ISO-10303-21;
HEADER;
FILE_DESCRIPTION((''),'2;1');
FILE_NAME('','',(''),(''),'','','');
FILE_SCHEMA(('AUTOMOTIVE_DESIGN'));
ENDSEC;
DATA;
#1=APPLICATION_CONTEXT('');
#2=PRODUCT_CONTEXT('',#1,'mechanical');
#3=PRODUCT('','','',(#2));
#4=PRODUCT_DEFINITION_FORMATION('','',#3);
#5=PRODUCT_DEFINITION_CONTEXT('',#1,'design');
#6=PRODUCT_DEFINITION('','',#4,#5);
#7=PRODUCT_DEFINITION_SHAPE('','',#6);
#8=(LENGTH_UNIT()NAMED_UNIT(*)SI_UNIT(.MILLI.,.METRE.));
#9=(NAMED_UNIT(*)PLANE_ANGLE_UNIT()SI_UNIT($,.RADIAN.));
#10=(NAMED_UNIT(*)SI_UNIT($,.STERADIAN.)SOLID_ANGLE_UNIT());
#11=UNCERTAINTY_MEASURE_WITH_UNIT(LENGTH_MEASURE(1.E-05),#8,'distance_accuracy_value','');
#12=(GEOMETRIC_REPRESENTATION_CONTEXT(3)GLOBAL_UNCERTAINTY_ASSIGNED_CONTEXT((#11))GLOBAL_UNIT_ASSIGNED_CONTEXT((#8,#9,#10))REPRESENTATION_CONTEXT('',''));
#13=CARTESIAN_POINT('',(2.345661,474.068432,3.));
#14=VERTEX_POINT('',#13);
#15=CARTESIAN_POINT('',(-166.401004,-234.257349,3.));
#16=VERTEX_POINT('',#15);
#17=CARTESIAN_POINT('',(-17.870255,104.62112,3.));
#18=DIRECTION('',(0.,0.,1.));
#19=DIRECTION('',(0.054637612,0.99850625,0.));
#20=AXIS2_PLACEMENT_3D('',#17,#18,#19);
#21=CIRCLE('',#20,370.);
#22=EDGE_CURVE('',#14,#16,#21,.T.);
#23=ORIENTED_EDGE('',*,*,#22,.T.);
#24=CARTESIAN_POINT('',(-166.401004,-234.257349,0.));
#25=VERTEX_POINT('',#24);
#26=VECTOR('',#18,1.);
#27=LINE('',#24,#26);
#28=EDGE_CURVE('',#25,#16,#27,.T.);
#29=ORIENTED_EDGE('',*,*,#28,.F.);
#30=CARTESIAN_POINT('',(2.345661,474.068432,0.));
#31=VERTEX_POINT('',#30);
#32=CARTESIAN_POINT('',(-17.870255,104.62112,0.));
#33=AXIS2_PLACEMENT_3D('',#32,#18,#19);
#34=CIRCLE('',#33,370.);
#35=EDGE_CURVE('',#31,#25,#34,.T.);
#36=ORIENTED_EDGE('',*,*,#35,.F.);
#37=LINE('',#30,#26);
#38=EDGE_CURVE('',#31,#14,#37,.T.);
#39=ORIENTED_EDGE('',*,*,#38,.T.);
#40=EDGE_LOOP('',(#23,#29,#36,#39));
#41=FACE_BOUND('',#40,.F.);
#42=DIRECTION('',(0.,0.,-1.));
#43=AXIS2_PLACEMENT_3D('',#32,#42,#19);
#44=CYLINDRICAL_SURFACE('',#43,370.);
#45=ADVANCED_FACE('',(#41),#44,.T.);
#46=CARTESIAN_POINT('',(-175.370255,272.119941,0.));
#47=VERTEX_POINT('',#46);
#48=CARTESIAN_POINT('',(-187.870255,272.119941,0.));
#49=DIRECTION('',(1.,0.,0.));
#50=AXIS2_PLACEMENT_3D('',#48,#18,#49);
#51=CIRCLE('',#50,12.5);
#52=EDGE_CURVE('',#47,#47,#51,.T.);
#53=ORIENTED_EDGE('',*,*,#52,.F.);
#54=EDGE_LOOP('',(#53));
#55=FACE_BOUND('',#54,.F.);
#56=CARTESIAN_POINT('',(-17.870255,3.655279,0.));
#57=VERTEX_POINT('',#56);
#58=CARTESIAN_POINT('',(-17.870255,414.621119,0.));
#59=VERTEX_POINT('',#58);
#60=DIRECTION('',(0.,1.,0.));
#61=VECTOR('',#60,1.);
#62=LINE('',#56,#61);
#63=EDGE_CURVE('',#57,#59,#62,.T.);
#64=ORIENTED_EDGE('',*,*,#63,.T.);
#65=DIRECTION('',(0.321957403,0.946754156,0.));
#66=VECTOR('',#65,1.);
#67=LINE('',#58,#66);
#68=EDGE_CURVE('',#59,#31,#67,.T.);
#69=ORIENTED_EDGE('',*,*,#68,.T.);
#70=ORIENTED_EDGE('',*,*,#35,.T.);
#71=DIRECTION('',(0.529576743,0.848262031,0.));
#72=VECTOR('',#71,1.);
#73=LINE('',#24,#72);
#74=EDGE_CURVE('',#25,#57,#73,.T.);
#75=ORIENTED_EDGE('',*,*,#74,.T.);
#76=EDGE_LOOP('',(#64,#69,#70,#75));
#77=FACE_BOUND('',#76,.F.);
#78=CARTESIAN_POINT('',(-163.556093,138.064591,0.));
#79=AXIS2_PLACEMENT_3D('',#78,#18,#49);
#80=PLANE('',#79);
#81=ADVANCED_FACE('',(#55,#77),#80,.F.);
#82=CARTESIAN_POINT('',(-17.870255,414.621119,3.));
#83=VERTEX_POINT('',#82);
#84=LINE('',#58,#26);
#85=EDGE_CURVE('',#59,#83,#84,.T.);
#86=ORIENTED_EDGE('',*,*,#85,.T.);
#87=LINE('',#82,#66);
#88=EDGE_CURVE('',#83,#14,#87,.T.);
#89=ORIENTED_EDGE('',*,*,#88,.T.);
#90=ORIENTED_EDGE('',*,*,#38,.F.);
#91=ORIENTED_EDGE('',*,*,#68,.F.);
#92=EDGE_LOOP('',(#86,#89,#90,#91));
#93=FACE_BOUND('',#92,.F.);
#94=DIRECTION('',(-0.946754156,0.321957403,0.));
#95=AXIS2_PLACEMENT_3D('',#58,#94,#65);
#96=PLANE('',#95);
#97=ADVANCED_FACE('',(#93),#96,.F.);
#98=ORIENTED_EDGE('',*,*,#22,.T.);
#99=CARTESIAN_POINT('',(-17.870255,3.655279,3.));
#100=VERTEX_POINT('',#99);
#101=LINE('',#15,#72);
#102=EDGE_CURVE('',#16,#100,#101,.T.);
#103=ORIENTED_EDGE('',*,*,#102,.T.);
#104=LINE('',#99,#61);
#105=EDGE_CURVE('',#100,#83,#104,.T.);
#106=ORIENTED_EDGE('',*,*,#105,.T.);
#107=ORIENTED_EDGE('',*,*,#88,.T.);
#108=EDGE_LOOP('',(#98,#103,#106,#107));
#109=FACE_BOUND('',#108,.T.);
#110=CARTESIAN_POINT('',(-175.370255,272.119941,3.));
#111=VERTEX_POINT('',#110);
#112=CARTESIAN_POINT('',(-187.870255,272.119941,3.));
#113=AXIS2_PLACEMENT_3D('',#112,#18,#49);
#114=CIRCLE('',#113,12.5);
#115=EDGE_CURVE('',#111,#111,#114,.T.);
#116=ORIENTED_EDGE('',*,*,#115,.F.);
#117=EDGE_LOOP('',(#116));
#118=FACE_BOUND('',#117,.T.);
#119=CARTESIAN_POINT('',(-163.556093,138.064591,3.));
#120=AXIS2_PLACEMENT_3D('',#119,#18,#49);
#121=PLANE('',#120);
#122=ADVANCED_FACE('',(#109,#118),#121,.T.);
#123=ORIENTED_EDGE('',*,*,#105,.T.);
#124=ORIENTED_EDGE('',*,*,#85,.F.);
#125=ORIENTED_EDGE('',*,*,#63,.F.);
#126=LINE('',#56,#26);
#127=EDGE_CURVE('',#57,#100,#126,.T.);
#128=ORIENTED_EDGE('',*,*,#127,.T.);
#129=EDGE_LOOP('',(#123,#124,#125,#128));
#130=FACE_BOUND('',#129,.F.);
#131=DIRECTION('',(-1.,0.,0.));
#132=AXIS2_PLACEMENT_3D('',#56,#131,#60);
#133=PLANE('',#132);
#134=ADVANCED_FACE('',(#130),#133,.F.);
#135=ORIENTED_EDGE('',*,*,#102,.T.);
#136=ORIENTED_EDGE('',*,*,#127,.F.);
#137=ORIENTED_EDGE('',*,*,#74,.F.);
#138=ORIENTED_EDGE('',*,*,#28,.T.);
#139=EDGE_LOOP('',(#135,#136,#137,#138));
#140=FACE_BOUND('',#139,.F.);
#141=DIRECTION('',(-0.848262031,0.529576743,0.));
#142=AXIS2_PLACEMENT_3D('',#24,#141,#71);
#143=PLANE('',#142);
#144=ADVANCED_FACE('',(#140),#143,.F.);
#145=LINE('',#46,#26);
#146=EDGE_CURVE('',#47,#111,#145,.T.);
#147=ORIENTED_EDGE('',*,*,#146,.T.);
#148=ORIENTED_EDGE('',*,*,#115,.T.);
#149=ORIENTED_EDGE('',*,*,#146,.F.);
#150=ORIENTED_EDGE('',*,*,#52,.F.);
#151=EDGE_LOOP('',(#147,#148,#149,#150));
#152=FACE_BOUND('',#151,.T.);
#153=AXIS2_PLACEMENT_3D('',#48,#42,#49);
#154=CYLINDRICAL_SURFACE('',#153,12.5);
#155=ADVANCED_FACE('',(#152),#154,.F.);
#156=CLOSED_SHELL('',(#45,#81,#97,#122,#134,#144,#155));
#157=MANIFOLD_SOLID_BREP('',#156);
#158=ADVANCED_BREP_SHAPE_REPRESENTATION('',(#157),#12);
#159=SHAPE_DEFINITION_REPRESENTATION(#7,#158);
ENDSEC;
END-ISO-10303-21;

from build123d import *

# Parameters (mm, degrees)
F0_R     = 12.5
F1_DEPTH = 3


with BuildPart() as f1:
    # F0 (on Top) → F1 (new body)
    with BuildSketch(Plane.XY):
        with BuildLine():
            Line((-17.870255, 414.621119), (2.345661, 474.068432))
            ThreePointArc((2.345661, 474.068432), (-377.797369, 190.367681), (-166.401004, -234.257349))
            Line((-166.401004, -234.257349), (-17.870255, 3.655279))
            Line((-17.870255, 3.655279), (-17.870255, 104.621119))
            Line((-17.870255, 104.621119), (-17.870255, 414.621119))
        make_face()
        with Locations((-187.870255, 272.119941)):
            Circle(F0_R, mode=Mode.SUBTRACT)
    extrude(amount=F1_DEPTH)


solid = f1.part
